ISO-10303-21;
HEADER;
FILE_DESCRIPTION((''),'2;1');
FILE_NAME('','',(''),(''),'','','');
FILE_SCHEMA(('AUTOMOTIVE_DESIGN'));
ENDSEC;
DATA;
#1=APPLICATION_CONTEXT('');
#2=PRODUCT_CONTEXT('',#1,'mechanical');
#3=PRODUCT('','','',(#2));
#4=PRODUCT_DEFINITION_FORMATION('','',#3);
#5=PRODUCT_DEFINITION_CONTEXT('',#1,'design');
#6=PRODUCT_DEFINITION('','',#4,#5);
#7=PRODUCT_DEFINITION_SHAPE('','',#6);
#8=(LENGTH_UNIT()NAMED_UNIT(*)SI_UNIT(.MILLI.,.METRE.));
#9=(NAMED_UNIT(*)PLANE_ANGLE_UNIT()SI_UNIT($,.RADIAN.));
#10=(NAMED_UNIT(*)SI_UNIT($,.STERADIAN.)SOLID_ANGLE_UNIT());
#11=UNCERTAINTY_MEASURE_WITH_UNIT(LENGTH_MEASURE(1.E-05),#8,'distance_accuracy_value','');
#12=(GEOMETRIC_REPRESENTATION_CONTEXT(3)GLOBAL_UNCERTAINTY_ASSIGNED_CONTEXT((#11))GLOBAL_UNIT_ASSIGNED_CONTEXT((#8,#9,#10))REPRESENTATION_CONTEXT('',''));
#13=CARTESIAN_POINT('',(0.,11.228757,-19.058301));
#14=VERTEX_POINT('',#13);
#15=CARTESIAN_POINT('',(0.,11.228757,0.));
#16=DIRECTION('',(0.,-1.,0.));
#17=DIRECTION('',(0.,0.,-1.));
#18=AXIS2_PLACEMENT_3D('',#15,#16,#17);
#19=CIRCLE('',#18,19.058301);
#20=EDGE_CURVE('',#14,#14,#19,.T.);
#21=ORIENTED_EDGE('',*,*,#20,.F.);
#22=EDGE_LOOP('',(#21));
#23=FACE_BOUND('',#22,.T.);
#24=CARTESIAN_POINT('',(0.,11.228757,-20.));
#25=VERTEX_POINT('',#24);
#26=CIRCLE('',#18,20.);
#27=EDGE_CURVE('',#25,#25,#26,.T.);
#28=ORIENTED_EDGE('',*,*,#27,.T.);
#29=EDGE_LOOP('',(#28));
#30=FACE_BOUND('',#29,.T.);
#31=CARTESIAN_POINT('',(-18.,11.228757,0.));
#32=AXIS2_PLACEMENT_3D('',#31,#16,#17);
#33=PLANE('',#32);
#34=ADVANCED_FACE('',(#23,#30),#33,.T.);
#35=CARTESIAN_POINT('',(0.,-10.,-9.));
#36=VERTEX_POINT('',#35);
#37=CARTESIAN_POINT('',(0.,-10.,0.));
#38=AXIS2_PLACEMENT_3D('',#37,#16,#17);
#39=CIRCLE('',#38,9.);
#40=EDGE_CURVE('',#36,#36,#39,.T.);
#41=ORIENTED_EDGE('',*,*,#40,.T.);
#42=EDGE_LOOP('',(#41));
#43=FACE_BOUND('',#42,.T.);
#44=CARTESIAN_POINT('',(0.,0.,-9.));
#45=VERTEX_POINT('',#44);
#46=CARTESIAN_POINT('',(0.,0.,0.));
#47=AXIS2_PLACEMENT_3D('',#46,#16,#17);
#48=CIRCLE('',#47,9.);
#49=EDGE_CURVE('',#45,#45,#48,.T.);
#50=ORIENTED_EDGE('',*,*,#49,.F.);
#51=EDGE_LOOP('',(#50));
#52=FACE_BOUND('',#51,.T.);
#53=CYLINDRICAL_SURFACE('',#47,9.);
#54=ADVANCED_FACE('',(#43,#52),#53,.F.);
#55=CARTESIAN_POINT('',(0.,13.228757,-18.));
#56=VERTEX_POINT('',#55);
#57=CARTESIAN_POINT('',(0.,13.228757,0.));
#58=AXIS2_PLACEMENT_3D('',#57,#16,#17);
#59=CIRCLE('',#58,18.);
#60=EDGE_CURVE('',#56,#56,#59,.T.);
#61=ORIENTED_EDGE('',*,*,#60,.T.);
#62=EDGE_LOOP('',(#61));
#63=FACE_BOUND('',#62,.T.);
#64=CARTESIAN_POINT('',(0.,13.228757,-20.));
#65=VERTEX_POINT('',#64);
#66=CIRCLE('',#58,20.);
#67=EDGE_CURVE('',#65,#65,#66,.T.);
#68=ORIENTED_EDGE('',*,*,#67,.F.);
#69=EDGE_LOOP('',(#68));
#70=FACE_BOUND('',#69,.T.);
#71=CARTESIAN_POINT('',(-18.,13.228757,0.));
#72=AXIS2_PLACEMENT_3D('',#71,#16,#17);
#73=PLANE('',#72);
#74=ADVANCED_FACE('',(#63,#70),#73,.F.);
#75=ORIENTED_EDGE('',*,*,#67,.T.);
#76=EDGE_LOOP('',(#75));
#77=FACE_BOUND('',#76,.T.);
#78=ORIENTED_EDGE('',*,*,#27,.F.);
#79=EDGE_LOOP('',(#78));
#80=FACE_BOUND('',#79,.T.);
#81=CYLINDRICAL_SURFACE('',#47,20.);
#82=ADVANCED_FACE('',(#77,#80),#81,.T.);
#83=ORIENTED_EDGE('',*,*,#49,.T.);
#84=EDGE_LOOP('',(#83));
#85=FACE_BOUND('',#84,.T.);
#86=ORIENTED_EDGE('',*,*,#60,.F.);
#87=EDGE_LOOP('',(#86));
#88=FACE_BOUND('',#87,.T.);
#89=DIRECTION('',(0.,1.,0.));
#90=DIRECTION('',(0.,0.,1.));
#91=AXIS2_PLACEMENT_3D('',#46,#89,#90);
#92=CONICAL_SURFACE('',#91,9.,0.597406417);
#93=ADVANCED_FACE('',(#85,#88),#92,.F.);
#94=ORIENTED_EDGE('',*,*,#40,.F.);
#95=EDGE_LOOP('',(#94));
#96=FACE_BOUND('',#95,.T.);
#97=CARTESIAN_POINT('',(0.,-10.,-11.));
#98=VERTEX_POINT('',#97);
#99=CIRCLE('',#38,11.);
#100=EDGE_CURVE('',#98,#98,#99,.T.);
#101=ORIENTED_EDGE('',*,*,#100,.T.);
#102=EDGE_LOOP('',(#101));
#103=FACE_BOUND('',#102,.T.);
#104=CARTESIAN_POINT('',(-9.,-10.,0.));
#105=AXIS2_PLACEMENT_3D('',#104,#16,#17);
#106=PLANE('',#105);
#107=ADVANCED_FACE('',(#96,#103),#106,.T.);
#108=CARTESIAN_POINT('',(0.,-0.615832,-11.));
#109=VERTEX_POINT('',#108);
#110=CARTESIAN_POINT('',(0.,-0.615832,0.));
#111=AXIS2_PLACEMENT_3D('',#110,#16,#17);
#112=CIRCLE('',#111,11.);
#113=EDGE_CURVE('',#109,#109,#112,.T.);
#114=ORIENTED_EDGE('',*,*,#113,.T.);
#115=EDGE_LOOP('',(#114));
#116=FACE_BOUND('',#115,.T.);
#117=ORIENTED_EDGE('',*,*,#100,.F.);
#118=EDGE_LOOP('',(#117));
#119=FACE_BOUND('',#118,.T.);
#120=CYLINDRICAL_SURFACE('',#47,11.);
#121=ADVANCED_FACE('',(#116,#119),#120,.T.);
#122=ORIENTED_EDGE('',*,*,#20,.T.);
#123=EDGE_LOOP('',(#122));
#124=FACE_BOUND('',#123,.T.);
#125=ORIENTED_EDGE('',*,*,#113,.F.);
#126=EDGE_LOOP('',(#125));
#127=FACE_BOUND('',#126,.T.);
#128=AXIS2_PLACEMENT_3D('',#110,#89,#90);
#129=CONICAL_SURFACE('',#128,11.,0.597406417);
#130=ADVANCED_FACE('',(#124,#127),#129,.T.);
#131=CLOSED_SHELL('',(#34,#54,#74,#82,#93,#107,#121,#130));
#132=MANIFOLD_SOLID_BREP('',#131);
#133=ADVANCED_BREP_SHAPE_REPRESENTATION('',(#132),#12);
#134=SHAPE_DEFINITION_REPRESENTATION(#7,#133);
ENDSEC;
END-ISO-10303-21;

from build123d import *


with BuildPart() as part:
    # Sketch1 → Revolve-Thin3 (revolve)
    with BuildSketch(Plane.XY, mode=Mode.PRIVATE) as revolve_thin3_sk:
        Polygon((-20, 13.228756555), (-18, 13.228756555), (-9, 0), (-9, -10), (-11, -10), (-11, -0.615831877), (-19.058300524, 11.228756555), (-20, 11.228756555), align=None)
    revolve(revolve_thin3_sk.sketch.rotate(Axis((0, 0, 0), (0, 1, 0)), 270), axis=Axis((0, 0, 0), (0, 1, 0)))


solid = part.part
